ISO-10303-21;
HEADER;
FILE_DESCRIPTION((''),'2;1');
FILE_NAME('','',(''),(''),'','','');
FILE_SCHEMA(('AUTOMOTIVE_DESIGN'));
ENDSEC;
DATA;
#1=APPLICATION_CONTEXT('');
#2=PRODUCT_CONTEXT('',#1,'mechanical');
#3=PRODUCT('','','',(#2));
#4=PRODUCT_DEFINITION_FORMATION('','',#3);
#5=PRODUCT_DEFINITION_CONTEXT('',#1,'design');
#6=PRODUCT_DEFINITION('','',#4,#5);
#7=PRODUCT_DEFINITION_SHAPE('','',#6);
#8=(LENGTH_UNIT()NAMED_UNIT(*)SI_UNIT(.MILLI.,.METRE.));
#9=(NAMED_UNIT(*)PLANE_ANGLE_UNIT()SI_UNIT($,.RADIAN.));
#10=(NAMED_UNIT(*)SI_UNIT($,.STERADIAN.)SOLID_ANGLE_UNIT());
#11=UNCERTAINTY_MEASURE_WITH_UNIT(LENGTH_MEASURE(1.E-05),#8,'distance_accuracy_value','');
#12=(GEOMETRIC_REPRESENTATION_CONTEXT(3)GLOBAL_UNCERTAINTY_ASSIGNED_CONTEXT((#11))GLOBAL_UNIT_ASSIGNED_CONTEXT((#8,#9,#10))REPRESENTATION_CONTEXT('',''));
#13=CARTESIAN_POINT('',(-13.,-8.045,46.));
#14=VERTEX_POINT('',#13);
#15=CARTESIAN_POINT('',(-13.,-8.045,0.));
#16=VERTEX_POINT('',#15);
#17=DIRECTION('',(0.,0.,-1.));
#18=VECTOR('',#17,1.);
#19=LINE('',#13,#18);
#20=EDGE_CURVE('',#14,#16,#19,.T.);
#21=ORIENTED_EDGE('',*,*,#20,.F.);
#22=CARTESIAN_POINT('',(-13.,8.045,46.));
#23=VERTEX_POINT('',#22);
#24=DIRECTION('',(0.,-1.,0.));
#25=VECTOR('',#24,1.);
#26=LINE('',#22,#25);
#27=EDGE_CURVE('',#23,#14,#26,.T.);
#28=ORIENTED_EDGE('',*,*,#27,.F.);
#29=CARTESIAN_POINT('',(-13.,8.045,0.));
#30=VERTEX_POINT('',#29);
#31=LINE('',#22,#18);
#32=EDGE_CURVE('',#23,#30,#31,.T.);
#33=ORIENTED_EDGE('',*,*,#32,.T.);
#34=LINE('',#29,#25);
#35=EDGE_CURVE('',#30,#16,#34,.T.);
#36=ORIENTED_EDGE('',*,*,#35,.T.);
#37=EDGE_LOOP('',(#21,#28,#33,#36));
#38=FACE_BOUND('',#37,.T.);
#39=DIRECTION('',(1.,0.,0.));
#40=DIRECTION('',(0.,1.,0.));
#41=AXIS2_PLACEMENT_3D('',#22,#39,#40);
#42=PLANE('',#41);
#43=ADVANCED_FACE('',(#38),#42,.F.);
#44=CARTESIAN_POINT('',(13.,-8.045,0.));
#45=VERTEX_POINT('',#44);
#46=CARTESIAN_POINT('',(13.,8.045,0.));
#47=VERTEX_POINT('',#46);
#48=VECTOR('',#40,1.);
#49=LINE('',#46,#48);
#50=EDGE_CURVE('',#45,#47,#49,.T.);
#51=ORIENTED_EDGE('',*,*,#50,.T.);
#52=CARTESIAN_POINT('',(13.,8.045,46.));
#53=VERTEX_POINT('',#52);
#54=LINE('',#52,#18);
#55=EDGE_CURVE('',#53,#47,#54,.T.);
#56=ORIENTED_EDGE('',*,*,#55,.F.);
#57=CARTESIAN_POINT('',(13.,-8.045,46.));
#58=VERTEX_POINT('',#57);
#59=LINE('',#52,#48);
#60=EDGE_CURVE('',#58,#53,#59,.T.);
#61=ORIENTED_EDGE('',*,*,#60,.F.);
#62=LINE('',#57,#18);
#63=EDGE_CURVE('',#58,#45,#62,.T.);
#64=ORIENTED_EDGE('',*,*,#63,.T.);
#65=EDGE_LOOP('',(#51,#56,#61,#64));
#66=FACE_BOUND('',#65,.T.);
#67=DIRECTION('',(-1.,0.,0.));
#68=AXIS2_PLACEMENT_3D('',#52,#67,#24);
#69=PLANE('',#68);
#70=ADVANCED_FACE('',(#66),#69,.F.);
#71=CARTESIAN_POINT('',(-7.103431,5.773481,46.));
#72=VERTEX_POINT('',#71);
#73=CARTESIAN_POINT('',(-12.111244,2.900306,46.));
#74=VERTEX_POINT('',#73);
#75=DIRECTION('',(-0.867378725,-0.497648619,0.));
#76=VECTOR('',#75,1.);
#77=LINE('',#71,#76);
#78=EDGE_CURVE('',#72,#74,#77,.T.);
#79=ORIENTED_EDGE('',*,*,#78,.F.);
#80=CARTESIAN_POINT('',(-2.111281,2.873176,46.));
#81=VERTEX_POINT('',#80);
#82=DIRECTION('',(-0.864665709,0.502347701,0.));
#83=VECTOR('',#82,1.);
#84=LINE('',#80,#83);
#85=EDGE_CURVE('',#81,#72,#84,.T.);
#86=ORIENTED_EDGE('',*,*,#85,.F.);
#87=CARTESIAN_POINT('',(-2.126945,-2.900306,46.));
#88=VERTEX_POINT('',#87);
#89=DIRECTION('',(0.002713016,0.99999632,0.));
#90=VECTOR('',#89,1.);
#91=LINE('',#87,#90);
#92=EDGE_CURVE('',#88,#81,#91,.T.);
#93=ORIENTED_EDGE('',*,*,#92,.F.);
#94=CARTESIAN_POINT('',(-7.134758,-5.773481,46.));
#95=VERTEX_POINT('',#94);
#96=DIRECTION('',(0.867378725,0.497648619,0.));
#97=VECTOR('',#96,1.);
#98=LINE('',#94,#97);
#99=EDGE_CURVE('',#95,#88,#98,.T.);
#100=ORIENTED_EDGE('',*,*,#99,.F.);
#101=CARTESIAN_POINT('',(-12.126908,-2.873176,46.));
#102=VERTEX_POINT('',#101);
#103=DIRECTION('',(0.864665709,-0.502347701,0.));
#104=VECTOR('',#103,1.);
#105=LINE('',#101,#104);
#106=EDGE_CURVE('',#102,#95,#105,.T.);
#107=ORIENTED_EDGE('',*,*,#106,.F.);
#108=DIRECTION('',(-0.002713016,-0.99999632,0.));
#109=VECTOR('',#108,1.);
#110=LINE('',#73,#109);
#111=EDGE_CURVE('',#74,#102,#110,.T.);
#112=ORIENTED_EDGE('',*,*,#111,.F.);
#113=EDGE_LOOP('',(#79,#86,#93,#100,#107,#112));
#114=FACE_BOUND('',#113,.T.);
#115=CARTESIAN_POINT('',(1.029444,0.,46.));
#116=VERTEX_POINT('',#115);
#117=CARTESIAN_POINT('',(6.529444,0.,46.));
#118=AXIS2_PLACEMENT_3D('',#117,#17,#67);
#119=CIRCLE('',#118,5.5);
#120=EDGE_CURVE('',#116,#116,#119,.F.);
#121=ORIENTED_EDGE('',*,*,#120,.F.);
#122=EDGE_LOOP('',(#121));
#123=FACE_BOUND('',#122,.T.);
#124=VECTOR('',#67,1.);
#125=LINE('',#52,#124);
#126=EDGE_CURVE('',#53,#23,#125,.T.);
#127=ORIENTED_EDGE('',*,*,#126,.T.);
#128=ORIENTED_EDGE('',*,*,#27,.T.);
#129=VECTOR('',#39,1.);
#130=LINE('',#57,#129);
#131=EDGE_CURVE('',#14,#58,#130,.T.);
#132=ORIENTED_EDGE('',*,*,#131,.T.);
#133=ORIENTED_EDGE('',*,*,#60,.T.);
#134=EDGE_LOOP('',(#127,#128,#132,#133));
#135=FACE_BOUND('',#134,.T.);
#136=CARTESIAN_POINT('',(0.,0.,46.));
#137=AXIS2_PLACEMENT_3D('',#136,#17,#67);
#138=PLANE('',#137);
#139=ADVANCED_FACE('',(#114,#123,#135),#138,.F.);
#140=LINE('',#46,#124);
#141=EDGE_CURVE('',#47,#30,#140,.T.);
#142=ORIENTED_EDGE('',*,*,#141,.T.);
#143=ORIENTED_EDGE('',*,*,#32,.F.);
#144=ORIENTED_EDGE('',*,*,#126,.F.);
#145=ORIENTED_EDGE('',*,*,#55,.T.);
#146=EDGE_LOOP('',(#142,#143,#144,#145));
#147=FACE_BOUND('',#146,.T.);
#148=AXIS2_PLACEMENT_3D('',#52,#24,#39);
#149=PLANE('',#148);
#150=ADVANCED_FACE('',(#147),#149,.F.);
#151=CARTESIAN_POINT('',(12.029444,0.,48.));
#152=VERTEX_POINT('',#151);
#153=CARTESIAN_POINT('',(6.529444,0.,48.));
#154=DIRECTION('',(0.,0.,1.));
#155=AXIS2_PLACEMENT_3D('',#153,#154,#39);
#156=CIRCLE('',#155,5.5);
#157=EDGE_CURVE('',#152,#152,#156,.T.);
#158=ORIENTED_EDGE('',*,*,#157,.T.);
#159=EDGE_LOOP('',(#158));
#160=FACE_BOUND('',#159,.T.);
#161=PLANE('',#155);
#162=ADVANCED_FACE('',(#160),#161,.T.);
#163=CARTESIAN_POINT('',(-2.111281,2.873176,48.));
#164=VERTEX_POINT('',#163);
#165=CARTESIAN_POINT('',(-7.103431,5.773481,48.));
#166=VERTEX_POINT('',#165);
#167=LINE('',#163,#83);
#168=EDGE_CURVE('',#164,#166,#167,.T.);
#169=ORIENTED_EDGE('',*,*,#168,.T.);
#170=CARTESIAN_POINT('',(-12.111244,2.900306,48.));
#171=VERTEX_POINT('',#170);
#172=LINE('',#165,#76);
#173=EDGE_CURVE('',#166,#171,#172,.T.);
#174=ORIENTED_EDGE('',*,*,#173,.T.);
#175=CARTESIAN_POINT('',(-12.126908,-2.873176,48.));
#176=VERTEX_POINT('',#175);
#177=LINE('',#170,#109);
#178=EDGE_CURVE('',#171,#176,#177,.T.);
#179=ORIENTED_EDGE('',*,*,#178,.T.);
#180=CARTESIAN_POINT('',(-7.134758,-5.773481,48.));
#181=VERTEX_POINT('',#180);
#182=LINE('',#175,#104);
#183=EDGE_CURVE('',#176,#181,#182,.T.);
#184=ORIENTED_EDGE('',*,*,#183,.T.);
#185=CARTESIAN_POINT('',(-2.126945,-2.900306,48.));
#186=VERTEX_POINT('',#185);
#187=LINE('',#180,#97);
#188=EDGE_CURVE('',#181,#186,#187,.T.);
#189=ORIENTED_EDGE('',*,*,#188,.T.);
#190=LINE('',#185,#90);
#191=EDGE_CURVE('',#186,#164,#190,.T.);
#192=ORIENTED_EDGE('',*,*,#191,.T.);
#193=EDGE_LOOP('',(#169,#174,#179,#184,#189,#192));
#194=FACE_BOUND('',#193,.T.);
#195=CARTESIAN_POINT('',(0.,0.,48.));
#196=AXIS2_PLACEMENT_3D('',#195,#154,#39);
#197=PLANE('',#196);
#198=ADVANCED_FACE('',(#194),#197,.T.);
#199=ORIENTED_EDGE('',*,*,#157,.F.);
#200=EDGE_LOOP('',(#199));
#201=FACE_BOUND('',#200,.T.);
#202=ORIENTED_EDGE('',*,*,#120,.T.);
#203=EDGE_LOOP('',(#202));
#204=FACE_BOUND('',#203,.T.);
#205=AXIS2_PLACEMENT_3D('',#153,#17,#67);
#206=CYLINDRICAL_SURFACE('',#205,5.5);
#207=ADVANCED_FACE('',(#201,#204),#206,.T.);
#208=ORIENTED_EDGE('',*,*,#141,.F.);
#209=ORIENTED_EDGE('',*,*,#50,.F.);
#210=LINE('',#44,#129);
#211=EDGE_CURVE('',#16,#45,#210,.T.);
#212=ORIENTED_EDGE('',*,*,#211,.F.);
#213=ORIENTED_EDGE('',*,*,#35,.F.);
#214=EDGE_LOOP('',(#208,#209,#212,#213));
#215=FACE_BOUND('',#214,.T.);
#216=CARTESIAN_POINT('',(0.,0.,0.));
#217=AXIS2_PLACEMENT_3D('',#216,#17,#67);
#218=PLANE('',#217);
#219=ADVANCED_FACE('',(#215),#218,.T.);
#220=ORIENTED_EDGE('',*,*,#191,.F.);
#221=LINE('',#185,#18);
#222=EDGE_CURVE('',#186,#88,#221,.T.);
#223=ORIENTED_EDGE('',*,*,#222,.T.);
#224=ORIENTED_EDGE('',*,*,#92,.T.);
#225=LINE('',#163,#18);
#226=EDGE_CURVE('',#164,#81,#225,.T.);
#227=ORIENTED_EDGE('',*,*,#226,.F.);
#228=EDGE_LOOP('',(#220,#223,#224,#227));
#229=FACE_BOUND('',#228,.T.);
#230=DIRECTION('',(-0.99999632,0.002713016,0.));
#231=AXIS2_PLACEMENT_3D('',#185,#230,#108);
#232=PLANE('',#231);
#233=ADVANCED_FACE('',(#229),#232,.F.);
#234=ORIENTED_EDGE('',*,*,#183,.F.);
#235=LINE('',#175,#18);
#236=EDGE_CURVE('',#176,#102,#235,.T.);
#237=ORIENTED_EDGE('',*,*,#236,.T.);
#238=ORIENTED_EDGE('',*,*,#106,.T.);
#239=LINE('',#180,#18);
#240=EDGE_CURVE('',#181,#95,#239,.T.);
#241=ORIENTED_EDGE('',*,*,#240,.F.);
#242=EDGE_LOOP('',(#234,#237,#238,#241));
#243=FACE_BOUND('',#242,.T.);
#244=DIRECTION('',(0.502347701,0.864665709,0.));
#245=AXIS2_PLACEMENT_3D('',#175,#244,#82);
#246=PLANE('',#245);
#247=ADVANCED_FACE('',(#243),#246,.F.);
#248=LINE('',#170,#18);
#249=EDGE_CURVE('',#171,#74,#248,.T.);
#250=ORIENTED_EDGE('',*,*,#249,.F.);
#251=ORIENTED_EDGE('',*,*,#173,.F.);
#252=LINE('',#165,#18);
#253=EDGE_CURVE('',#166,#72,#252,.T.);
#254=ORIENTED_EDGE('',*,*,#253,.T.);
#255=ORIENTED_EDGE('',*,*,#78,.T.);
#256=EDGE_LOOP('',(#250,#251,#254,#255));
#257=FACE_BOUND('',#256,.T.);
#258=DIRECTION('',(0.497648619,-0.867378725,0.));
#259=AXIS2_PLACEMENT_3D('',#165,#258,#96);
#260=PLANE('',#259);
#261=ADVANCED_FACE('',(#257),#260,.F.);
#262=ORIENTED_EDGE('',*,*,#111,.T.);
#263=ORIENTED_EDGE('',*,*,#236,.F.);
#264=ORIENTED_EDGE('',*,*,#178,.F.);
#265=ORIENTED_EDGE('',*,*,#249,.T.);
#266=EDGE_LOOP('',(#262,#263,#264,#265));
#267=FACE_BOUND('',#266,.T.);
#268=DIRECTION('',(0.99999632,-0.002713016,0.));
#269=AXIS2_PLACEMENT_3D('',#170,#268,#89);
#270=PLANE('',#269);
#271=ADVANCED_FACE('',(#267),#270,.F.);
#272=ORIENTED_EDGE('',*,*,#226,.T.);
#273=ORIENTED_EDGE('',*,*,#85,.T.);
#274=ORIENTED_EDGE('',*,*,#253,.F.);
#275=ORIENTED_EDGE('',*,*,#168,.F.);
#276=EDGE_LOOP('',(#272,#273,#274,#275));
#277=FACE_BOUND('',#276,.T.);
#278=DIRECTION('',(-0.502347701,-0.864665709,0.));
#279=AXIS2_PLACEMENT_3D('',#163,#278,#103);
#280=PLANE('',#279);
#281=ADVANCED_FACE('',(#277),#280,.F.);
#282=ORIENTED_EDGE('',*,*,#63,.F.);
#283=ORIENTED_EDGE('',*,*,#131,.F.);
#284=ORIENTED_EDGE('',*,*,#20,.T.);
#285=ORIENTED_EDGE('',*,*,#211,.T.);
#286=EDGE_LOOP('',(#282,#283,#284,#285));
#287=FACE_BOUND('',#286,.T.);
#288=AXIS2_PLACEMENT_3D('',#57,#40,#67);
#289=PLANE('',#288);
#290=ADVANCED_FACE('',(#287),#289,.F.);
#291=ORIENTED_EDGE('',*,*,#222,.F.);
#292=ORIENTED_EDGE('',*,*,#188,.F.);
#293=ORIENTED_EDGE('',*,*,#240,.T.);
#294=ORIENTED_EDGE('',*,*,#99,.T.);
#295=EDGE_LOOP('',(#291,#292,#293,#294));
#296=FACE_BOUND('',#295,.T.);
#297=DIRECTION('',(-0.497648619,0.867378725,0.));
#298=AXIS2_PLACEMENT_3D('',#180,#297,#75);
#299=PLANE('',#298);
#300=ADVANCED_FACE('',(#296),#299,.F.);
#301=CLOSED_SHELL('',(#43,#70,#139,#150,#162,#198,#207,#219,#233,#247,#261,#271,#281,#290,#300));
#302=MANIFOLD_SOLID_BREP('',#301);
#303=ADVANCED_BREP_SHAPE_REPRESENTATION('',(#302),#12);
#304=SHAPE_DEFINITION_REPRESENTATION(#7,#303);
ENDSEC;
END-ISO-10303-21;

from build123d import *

# Parameters (mm, degrees)
SKETCH1_W           = 26
SKETCH1_H           = 16.09
BOSS_EXTRUDE1_DEPTH = 46
SKETCH2_R           = 5.5
BOSS_EXTRUDE2_DEPTH = 2


with BuildPart() as part:
    # Sketch1 → Boss-Extrude1 (new body)
    with BuildSketch(Plane.XY):
        Rectangle(SKETCH1_W, SKETCH1_H)
    extrude(amount=BOSS_EXTRUDE1_DEPTH)

    # Sketch2 → Boss-Extrude2 (add)
    with BuildSketch(Plane.XY.offset(46)):
        with Locations((6.529444473, 0)):
            Circle(SKETCH2_R)
        Polygon((-7.134758176, -5.773481444), (-2.126944774, -2.900305802), (-2.111281169, 2.873175642), (-7.103430965, 5.773481444), (-12.111244367, 2.900305802), (-12.126907972, -2.873175642), align=None)
    extrude(amount=BOSS_EXTRUDE2_DEPTH)


solid = part.part
